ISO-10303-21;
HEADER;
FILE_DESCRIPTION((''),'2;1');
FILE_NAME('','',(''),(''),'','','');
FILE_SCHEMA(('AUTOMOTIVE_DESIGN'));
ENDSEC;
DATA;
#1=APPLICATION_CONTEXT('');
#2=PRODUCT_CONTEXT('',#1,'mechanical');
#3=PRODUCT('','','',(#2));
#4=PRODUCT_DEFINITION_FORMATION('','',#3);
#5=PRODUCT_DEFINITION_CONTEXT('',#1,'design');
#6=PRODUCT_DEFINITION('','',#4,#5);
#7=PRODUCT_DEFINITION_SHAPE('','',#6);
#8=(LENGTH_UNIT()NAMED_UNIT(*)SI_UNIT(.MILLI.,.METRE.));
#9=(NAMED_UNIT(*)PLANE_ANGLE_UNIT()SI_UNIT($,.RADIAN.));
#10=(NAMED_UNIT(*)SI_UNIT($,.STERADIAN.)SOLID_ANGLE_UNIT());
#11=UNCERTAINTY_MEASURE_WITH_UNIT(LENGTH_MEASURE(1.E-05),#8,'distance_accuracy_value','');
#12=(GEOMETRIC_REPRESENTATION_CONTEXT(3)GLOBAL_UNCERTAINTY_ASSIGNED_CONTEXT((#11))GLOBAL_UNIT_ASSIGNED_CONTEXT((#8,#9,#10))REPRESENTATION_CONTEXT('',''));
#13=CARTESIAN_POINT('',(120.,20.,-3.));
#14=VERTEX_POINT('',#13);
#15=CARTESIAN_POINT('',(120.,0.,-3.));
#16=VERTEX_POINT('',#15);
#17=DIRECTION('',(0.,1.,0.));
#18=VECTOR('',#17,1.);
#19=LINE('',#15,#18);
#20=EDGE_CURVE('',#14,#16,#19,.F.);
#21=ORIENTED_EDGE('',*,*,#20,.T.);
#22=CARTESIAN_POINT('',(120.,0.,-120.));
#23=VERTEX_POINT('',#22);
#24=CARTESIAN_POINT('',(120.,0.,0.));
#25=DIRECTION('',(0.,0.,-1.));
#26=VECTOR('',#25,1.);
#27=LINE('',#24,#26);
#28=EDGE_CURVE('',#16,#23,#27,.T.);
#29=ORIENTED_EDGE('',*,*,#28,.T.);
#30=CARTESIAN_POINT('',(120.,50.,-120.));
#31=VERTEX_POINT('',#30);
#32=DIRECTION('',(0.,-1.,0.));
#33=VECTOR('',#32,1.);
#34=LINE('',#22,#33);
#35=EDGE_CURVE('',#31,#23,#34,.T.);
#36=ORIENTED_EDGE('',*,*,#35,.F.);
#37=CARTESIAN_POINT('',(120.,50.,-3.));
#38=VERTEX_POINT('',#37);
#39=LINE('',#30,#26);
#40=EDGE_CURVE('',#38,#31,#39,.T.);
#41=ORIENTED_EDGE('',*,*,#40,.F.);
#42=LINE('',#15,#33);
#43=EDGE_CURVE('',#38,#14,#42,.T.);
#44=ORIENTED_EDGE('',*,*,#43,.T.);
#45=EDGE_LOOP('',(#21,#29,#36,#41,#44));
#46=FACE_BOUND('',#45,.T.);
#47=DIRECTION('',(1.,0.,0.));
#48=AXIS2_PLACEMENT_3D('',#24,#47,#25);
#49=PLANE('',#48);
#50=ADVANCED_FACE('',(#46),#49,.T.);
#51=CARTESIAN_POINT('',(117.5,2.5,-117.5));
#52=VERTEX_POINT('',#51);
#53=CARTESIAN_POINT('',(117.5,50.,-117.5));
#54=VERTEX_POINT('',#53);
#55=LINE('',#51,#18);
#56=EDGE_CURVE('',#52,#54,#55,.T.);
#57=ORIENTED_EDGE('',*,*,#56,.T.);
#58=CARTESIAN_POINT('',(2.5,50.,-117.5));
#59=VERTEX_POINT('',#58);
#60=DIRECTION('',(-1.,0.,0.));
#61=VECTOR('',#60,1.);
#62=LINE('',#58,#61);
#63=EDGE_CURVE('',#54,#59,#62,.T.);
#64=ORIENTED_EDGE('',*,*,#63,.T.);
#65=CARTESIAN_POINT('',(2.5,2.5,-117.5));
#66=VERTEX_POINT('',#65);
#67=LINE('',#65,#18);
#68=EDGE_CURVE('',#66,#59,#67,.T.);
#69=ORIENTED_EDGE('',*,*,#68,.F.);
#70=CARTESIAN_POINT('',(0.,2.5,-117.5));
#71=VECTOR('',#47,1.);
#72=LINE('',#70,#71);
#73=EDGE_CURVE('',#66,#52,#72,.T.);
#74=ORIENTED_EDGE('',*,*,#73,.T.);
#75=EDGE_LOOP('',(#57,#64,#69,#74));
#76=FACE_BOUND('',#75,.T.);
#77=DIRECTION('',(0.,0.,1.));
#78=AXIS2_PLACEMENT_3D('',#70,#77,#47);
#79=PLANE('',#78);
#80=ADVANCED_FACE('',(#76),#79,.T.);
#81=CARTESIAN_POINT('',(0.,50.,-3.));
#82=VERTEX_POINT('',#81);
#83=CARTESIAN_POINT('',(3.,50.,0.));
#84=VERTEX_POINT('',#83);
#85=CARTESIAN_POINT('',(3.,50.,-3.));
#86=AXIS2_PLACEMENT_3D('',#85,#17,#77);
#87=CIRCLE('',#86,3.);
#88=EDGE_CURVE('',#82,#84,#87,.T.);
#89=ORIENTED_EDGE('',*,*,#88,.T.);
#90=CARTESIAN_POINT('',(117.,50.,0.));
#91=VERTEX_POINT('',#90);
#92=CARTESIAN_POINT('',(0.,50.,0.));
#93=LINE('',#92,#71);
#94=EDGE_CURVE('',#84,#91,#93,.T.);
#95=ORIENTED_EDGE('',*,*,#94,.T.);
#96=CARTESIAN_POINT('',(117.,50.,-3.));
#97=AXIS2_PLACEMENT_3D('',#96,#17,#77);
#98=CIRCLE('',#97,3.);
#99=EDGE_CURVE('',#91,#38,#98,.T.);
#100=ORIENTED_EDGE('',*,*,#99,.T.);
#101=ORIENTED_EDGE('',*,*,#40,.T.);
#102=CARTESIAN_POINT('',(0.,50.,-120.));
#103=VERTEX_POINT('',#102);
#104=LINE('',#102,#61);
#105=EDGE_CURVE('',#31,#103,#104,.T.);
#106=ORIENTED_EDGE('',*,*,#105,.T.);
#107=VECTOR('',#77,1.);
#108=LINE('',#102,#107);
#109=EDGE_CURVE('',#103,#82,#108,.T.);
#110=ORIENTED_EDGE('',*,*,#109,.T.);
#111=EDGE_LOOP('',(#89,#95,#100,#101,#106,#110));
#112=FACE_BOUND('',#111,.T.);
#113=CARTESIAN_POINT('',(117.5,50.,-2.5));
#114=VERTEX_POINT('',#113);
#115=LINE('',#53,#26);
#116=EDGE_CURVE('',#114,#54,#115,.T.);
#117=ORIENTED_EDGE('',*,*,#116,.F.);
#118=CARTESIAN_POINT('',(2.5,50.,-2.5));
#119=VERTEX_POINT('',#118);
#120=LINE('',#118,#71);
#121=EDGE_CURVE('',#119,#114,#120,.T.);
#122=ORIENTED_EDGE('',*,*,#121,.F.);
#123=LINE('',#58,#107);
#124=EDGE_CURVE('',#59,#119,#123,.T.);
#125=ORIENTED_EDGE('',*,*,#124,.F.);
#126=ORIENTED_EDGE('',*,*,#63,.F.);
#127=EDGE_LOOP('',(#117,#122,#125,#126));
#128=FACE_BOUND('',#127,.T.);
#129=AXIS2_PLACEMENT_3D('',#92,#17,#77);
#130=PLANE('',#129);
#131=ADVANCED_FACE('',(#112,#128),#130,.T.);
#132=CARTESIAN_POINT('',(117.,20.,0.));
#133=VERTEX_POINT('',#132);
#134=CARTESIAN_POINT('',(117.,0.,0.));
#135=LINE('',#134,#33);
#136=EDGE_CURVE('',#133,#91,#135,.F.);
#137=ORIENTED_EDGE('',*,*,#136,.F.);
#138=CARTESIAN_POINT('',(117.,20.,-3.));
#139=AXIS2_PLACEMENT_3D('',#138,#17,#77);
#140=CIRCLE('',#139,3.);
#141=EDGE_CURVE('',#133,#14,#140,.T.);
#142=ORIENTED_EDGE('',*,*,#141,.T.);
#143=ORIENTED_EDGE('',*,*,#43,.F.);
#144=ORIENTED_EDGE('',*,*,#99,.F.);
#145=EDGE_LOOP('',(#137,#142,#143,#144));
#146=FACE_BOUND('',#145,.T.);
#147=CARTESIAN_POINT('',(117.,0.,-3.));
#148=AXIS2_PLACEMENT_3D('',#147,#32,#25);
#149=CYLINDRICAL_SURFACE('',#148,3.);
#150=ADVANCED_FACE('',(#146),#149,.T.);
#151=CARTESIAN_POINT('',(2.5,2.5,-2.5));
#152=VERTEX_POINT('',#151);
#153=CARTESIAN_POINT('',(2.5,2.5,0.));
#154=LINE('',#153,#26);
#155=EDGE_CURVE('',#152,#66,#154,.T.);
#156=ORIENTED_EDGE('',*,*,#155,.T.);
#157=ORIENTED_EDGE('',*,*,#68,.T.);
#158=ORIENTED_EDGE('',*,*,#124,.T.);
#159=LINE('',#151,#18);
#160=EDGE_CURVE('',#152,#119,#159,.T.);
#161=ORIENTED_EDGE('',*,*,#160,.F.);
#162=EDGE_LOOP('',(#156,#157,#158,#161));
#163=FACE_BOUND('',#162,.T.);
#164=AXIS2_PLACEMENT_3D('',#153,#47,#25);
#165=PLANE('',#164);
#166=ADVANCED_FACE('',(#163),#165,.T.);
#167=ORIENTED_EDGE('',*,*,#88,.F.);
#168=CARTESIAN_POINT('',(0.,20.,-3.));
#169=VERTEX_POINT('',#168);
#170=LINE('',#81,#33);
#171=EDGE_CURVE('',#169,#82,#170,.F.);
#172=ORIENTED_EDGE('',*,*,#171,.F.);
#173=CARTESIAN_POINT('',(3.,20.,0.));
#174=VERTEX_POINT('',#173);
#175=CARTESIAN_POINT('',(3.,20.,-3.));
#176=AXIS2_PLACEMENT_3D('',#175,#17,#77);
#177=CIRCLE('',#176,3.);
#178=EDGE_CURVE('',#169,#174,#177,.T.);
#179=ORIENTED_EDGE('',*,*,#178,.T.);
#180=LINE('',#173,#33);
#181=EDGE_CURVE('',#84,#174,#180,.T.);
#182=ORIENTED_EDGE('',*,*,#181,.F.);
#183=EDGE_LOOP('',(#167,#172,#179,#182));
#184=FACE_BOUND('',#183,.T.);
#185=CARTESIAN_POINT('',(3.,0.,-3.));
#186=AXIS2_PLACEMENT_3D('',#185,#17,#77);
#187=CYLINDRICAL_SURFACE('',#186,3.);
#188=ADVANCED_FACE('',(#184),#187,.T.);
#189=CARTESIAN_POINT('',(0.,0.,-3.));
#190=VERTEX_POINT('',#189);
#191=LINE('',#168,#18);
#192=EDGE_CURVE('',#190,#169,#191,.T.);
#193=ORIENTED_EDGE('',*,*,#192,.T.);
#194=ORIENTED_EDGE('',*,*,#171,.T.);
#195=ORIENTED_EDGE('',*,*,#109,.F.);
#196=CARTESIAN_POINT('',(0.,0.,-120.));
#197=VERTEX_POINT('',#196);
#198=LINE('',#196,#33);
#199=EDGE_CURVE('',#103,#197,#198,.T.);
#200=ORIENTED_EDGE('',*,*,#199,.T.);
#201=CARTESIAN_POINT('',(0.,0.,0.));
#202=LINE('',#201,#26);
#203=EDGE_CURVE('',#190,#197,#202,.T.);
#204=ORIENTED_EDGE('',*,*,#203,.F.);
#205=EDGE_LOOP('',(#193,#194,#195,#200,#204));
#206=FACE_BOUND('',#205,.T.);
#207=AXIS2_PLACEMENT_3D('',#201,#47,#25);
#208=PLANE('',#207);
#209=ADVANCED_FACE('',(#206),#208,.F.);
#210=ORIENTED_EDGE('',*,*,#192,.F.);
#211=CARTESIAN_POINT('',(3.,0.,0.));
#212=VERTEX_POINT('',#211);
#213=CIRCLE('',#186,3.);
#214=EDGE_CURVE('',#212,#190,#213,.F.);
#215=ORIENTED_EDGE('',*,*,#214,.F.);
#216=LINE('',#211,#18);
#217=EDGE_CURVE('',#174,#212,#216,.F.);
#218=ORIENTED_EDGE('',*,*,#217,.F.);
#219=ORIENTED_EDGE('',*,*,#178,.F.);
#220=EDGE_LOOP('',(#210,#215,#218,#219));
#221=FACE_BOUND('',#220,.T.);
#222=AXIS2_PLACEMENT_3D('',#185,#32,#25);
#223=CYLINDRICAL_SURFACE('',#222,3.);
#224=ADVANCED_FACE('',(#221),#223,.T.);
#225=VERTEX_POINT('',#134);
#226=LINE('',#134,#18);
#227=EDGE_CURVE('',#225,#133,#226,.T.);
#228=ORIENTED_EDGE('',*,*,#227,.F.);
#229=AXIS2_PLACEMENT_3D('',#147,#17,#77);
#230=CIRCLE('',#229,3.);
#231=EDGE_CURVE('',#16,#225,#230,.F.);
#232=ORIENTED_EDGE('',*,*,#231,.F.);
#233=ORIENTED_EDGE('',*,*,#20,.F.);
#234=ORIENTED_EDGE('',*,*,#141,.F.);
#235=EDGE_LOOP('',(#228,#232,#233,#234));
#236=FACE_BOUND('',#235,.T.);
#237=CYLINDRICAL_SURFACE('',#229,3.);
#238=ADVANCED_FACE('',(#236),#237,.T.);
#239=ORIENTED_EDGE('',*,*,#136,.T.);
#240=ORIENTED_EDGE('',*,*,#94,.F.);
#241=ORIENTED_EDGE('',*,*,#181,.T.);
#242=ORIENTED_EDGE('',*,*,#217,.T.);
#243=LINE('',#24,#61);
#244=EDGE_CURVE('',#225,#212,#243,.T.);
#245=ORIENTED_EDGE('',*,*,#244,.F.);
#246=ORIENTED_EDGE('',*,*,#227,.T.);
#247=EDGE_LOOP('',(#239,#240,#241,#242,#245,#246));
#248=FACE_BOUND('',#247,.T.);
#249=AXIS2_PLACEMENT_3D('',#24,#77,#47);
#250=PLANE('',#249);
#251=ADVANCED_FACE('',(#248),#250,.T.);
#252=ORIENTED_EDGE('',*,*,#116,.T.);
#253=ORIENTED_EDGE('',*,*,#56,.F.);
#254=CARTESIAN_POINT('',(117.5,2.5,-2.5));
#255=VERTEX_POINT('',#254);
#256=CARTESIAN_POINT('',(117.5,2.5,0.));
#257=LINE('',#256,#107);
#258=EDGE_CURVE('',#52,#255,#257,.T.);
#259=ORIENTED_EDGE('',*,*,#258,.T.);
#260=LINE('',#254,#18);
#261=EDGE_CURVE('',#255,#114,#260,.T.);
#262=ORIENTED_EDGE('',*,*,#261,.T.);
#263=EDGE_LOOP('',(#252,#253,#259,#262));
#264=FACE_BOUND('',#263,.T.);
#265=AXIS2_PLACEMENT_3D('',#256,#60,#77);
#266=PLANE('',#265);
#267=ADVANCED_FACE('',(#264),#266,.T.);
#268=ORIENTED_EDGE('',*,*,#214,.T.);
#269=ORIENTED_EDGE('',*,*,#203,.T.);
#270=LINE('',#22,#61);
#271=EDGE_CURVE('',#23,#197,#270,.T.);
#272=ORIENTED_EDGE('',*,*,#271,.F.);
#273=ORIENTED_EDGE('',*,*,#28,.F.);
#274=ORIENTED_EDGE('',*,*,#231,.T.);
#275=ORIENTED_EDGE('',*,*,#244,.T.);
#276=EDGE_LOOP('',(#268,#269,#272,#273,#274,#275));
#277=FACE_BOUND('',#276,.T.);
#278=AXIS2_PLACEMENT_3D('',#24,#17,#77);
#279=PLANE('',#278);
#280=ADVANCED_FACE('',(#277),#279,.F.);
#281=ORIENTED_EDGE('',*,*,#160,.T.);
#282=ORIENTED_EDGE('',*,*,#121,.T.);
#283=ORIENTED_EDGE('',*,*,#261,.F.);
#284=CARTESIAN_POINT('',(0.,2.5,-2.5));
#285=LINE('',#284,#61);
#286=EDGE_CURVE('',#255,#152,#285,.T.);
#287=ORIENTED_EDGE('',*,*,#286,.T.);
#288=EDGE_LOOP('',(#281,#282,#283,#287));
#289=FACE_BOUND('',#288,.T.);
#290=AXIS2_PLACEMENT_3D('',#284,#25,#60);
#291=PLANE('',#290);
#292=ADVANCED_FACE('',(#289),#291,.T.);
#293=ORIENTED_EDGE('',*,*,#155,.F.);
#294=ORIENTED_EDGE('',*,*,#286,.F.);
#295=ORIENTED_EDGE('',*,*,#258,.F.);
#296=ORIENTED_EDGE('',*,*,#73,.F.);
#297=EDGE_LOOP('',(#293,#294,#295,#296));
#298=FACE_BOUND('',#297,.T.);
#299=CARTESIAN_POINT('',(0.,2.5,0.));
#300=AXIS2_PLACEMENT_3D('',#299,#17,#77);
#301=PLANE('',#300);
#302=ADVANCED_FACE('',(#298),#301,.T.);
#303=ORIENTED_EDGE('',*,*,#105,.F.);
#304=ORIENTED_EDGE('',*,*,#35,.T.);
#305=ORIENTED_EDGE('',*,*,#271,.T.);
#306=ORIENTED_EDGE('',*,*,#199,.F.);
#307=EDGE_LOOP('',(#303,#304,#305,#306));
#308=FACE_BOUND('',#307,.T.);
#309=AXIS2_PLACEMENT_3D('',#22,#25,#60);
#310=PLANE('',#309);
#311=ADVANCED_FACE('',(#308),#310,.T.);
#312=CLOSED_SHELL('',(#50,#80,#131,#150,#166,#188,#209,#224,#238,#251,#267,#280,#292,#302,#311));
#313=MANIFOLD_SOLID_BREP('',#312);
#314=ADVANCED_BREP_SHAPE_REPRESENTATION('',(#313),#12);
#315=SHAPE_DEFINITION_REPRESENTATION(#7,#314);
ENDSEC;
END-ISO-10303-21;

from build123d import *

# Parameters (mm, degrees)
BOSS_EXTRU_1_DEPTH      = 120
CONG_1_R                = 3
ESQUISSE3_W             = 57.5
ESQUISSE3_H             = 57.5
ENL_V_MAT_EXTRU_1_DEPTH = 17.5
ESQUISSE4_W             = 120
ESQUISSE4_H             = 120
ESQUISSE4_W_2           = 115
ESQUISSE4_H_2           = 115
BOSS_EXTRU_2_DEPTH      = 30
CONG_2_R                = 3


with BuildPart() as part:
    # Esquisse2 → Boss.-Extru.1 (new body)
    with BuildSketch(Plane(origin=(0, 0, 0), x_dir=(0, 0, -1), z_dir=(1, 0, 0))):
        Polygon((0, 20), (0, 0), (118.743991381, 0), (120, 0), (120, 20), align=None)
    extrude(amount=BOSS_EXTRU_1_DEPTH)

    # Congé1
    cong_1_edges = [part.edges().sort_by_distance(p)[0] for p in [
        (120, 10, 0),
        (0, 10, 0),
    ]]
    fillet(cong_1_edges, radius=CONG_1_R)

    # Esquisse3 → Enlèv. mat.-Extru.1 (cut)
    with BuildSketch(Plane(origin=(0, 20, 0), x_dir=(1, 0, 0), z_dir=(0, 1, 0))):
        with Locations((31.25, 88.75)):
            Rectangle(ESQUISSE3_W, ESQUISSE3_H)
        with Locations((88.75, 88.75)):
            Rectangle(ESQUISSE3_W, ESQUISSE3_H)
        with Locations((31.25, 31.25)):
            Rectangle(ESQUISSE3_W, ESQUISSE3_H)
        with Locations((88.75, 31.25)):
            Rectangle(ESQUISSE3_W, ESQUISSE3_H)
    extrude(amount=-ENL_V_MAT_EXTRU_1_DEPTH, mode=Mode.SUBTRACT)

    # Esquisse4 → Boss.-Extru.2 (add)
    with BuildSketch(Plane(origin=(0, 20, 0), x_dir=(1, 0, 0), z_dir=(0, 1, 0))):
        with Locations((60, 60)):
            Rectangle(ESQUISSE4_W, ESQUISSE4_H)
        with Locations((60, 60)):
            Rectangle(ESQUISSE4_W_2, ESQUISSE4_H_2, mode=Mode.SUBTRACT)
    extrude(amount=BOSS_EXTRU_2_DEPTH)

    # Congé2
    cong_2_edges = [part.edges().sort_by_distance(p)[0] for p in [
        (120, 35, 0),
        (0, 35, 0),
    ]]
    fillet(cong_2_edges, radius=CONG_2_R)


solid = part.part
